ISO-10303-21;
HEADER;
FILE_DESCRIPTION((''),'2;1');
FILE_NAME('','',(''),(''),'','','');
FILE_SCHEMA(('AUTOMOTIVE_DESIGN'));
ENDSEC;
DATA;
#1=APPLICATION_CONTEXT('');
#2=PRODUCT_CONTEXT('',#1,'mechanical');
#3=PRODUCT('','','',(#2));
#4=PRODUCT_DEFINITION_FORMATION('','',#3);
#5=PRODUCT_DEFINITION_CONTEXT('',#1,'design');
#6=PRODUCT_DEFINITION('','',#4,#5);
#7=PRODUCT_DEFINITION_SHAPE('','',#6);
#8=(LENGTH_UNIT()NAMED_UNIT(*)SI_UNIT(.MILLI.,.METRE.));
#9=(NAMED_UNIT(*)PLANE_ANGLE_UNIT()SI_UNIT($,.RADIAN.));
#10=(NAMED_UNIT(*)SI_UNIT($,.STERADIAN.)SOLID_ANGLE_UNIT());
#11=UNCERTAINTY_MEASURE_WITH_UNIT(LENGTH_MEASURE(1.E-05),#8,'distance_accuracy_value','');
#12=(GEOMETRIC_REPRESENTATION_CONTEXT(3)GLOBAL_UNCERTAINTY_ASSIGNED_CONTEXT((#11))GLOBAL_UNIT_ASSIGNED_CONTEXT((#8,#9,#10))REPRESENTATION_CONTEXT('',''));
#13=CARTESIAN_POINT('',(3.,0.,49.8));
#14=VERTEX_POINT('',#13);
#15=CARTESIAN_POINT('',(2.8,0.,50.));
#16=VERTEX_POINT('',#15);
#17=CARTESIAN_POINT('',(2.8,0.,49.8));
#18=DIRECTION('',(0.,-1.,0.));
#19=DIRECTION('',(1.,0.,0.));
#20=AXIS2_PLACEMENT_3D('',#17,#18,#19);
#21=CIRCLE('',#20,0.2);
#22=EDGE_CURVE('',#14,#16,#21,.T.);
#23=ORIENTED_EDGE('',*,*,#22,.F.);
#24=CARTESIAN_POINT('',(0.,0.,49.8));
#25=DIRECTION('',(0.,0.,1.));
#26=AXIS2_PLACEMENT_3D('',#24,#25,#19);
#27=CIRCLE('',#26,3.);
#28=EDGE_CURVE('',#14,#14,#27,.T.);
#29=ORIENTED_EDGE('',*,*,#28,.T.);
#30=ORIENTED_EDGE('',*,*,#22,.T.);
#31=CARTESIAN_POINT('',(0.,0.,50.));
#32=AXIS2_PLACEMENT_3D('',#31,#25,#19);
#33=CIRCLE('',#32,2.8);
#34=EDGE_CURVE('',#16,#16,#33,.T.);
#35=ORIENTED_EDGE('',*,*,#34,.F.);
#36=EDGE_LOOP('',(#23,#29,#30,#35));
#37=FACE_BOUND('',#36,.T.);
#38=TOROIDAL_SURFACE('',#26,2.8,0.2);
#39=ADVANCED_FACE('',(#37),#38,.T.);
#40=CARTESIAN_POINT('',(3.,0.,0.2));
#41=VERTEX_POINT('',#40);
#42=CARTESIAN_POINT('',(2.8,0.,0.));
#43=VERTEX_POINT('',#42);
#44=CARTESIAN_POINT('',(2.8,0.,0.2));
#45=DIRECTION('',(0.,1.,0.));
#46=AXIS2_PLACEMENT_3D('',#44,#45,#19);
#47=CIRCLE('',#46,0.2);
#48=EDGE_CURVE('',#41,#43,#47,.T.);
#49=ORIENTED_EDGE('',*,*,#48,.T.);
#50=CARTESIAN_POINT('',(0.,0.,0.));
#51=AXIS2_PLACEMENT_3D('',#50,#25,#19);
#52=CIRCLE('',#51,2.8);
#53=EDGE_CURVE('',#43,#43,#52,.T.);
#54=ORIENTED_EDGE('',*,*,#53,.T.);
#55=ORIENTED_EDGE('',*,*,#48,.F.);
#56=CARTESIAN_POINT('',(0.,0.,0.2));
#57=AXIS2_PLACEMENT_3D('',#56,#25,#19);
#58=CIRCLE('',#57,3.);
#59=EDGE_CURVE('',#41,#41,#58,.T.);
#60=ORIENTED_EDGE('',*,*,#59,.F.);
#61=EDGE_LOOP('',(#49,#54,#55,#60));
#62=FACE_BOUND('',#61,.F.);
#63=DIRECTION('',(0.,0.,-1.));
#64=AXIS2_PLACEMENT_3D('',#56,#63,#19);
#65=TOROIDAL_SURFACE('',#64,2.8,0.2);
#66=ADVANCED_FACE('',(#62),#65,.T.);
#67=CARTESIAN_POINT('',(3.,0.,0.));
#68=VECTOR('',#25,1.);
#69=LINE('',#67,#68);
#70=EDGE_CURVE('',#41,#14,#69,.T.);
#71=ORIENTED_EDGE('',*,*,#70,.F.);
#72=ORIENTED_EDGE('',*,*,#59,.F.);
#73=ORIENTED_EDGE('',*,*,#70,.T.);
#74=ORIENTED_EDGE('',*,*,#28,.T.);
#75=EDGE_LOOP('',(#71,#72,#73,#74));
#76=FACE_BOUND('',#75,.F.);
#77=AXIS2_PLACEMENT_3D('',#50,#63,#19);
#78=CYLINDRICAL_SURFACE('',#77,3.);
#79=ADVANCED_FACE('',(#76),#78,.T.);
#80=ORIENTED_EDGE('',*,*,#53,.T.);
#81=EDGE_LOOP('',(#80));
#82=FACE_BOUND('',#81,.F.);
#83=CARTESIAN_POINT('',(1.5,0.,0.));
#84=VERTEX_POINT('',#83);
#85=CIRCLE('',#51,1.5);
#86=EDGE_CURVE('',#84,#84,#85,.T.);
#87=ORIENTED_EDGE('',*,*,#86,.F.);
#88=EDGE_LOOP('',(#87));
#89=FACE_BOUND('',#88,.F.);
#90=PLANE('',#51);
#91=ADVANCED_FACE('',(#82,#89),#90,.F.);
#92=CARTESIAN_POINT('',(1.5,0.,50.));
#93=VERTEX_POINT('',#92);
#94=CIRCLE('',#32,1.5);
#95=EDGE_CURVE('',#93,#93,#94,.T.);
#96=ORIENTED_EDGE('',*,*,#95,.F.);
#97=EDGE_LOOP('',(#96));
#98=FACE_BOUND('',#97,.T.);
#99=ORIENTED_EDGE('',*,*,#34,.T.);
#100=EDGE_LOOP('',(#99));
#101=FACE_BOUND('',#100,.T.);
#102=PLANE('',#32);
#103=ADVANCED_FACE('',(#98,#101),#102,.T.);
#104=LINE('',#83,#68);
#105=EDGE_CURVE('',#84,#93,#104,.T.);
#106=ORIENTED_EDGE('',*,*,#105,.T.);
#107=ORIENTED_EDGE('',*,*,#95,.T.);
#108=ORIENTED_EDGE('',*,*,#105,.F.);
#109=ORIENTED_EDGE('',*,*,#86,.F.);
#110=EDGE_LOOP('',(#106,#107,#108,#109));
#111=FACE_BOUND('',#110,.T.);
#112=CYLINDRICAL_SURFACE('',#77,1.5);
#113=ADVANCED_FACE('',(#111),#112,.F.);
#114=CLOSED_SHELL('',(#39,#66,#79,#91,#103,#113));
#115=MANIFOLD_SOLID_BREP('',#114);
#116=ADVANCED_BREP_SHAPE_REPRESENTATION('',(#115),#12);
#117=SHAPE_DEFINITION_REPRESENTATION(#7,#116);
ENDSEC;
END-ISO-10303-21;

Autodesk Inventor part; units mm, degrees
ref_plane "YZ Plane" through (0, 0, 0) normal (1, 0, 0) x (0, 1, 0)
ref_plane "XZ Plane" through (0, 0, 0) normal (0, 1, 0) x (-1, 0, 0)
ref_plane "XY Plane" through (0, 0, 0) normal (0, 0, 1) x (1, 0, 0)
sketch "Sketch1" plane through (0, 0, 0) normal (0, 0, 1) x (1, 0, 0)
  circle A0 centre (0, 0) radius 1.5
  circle A1 centre (0, 0) radius 3
  dimension "M3" = 3
  dimension "D" = 6
extrude "Extrusion3" add sketch "Sketch1" along normal blind 50
fillet "Fillet2" radius 0.2 2 edges at (-3, 0, 0) (-3, 0, 50)
properties part number "suport_bars"
